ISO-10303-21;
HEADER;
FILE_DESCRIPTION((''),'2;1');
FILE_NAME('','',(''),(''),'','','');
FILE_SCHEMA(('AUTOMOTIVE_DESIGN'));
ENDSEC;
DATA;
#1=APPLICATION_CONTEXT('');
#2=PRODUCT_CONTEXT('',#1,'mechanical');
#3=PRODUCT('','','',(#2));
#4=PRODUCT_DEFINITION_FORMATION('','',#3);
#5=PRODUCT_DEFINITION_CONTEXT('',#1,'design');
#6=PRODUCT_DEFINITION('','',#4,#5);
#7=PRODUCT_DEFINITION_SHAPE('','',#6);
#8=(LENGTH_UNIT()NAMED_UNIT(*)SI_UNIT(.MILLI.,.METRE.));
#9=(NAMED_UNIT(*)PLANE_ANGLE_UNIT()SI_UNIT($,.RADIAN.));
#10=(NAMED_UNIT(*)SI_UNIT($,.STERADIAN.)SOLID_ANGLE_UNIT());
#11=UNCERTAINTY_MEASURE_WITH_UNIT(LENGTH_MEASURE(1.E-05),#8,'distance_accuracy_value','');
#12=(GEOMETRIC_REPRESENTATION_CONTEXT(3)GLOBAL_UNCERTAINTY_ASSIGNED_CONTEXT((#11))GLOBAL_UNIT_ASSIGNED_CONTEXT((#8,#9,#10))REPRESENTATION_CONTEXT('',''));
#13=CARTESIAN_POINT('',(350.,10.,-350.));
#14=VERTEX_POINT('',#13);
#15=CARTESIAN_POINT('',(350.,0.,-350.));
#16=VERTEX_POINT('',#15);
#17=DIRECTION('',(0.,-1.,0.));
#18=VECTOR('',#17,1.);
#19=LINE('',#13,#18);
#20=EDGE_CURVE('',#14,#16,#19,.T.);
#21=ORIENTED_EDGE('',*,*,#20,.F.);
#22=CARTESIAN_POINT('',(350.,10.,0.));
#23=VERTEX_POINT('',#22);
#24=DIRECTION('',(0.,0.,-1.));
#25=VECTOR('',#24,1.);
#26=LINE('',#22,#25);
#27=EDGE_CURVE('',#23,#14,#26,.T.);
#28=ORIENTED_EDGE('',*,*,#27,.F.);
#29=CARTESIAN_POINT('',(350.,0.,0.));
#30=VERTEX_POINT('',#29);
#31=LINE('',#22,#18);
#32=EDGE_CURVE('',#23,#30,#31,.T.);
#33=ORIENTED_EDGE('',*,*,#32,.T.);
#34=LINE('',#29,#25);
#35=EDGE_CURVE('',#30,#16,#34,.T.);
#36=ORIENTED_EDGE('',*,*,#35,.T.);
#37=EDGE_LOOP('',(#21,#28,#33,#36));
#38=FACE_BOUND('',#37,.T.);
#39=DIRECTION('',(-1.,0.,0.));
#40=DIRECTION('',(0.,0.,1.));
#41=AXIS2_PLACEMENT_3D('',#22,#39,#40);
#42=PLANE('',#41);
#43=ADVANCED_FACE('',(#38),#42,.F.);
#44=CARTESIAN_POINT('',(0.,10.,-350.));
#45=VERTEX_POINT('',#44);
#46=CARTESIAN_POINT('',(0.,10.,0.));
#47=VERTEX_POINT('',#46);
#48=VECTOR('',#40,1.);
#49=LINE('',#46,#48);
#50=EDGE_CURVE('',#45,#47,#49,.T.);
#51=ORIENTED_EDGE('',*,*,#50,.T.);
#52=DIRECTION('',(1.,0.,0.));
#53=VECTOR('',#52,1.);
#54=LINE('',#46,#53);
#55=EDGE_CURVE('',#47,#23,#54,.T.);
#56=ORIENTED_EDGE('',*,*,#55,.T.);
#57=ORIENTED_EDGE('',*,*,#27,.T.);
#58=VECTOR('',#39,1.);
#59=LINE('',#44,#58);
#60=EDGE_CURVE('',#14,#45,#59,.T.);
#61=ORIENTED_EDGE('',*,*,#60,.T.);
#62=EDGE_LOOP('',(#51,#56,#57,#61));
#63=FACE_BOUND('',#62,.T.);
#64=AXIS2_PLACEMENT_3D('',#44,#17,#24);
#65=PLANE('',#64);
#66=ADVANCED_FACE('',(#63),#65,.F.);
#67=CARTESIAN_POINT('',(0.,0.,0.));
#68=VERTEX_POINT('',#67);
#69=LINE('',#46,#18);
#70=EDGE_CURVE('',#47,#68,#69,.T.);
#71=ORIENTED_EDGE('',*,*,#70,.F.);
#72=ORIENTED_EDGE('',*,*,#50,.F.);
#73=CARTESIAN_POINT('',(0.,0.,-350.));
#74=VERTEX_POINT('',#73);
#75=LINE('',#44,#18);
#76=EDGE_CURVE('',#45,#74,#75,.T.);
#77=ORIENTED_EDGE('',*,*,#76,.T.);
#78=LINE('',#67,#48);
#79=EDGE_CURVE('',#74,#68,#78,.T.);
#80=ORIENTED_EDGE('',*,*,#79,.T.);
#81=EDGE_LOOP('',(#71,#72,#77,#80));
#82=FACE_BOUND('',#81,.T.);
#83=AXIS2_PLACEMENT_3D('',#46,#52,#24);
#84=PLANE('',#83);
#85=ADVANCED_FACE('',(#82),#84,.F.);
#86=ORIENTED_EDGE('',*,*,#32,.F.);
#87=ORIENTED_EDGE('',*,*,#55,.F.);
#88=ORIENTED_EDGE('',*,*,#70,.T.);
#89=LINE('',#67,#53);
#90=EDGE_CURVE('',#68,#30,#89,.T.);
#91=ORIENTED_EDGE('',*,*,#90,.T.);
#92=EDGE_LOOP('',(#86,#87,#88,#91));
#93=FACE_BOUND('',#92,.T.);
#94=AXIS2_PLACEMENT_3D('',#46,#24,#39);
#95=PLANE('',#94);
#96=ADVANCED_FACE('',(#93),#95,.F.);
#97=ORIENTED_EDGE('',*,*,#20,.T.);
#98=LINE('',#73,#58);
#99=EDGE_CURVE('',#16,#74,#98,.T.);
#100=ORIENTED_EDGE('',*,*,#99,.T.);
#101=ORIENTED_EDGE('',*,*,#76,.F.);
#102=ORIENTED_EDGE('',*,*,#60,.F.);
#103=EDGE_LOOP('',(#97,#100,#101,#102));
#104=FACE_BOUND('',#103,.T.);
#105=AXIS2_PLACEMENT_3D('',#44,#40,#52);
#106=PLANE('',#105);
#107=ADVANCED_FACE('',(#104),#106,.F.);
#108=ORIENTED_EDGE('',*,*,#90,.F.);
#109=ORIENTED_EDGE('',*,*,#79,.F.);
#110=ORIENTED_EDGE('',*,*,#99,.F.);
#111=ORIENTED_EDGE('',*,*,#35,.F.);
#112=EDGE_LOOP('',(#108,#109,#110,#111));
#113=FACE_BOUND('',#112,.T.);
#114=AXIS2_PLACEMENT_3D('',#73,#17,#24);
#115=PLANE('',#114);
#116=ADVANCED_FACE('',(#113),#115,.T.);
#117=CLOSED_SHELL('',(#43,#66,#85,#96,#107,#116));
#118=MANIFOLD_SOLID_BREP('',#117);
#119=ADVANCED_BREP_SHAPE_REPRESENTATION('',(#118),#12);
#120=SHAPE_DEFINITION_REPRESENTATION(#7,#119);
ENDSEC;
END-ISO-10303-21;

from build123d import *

# Parameters (mm, degrees)
ESQUISSE1_W      = 350
ESQUISSE1_H      = 350
EXTRUSION1_DEPTH = 10


with BuildPart() as part:
    # Esquisse1 → Extrusion1 (new body)
    with BuildSketch(Plane(origin=(0, 0, 0), x_dir=(1, 0, 0), z_dir=(0, 1, 0))):
        with Locations((175, 175)):
            Rectangle(ESQUISSE1_W, ESQUISSE1_H)
    extrude(amount=EXTRUSION1_DEPTH)


solid = part.part
